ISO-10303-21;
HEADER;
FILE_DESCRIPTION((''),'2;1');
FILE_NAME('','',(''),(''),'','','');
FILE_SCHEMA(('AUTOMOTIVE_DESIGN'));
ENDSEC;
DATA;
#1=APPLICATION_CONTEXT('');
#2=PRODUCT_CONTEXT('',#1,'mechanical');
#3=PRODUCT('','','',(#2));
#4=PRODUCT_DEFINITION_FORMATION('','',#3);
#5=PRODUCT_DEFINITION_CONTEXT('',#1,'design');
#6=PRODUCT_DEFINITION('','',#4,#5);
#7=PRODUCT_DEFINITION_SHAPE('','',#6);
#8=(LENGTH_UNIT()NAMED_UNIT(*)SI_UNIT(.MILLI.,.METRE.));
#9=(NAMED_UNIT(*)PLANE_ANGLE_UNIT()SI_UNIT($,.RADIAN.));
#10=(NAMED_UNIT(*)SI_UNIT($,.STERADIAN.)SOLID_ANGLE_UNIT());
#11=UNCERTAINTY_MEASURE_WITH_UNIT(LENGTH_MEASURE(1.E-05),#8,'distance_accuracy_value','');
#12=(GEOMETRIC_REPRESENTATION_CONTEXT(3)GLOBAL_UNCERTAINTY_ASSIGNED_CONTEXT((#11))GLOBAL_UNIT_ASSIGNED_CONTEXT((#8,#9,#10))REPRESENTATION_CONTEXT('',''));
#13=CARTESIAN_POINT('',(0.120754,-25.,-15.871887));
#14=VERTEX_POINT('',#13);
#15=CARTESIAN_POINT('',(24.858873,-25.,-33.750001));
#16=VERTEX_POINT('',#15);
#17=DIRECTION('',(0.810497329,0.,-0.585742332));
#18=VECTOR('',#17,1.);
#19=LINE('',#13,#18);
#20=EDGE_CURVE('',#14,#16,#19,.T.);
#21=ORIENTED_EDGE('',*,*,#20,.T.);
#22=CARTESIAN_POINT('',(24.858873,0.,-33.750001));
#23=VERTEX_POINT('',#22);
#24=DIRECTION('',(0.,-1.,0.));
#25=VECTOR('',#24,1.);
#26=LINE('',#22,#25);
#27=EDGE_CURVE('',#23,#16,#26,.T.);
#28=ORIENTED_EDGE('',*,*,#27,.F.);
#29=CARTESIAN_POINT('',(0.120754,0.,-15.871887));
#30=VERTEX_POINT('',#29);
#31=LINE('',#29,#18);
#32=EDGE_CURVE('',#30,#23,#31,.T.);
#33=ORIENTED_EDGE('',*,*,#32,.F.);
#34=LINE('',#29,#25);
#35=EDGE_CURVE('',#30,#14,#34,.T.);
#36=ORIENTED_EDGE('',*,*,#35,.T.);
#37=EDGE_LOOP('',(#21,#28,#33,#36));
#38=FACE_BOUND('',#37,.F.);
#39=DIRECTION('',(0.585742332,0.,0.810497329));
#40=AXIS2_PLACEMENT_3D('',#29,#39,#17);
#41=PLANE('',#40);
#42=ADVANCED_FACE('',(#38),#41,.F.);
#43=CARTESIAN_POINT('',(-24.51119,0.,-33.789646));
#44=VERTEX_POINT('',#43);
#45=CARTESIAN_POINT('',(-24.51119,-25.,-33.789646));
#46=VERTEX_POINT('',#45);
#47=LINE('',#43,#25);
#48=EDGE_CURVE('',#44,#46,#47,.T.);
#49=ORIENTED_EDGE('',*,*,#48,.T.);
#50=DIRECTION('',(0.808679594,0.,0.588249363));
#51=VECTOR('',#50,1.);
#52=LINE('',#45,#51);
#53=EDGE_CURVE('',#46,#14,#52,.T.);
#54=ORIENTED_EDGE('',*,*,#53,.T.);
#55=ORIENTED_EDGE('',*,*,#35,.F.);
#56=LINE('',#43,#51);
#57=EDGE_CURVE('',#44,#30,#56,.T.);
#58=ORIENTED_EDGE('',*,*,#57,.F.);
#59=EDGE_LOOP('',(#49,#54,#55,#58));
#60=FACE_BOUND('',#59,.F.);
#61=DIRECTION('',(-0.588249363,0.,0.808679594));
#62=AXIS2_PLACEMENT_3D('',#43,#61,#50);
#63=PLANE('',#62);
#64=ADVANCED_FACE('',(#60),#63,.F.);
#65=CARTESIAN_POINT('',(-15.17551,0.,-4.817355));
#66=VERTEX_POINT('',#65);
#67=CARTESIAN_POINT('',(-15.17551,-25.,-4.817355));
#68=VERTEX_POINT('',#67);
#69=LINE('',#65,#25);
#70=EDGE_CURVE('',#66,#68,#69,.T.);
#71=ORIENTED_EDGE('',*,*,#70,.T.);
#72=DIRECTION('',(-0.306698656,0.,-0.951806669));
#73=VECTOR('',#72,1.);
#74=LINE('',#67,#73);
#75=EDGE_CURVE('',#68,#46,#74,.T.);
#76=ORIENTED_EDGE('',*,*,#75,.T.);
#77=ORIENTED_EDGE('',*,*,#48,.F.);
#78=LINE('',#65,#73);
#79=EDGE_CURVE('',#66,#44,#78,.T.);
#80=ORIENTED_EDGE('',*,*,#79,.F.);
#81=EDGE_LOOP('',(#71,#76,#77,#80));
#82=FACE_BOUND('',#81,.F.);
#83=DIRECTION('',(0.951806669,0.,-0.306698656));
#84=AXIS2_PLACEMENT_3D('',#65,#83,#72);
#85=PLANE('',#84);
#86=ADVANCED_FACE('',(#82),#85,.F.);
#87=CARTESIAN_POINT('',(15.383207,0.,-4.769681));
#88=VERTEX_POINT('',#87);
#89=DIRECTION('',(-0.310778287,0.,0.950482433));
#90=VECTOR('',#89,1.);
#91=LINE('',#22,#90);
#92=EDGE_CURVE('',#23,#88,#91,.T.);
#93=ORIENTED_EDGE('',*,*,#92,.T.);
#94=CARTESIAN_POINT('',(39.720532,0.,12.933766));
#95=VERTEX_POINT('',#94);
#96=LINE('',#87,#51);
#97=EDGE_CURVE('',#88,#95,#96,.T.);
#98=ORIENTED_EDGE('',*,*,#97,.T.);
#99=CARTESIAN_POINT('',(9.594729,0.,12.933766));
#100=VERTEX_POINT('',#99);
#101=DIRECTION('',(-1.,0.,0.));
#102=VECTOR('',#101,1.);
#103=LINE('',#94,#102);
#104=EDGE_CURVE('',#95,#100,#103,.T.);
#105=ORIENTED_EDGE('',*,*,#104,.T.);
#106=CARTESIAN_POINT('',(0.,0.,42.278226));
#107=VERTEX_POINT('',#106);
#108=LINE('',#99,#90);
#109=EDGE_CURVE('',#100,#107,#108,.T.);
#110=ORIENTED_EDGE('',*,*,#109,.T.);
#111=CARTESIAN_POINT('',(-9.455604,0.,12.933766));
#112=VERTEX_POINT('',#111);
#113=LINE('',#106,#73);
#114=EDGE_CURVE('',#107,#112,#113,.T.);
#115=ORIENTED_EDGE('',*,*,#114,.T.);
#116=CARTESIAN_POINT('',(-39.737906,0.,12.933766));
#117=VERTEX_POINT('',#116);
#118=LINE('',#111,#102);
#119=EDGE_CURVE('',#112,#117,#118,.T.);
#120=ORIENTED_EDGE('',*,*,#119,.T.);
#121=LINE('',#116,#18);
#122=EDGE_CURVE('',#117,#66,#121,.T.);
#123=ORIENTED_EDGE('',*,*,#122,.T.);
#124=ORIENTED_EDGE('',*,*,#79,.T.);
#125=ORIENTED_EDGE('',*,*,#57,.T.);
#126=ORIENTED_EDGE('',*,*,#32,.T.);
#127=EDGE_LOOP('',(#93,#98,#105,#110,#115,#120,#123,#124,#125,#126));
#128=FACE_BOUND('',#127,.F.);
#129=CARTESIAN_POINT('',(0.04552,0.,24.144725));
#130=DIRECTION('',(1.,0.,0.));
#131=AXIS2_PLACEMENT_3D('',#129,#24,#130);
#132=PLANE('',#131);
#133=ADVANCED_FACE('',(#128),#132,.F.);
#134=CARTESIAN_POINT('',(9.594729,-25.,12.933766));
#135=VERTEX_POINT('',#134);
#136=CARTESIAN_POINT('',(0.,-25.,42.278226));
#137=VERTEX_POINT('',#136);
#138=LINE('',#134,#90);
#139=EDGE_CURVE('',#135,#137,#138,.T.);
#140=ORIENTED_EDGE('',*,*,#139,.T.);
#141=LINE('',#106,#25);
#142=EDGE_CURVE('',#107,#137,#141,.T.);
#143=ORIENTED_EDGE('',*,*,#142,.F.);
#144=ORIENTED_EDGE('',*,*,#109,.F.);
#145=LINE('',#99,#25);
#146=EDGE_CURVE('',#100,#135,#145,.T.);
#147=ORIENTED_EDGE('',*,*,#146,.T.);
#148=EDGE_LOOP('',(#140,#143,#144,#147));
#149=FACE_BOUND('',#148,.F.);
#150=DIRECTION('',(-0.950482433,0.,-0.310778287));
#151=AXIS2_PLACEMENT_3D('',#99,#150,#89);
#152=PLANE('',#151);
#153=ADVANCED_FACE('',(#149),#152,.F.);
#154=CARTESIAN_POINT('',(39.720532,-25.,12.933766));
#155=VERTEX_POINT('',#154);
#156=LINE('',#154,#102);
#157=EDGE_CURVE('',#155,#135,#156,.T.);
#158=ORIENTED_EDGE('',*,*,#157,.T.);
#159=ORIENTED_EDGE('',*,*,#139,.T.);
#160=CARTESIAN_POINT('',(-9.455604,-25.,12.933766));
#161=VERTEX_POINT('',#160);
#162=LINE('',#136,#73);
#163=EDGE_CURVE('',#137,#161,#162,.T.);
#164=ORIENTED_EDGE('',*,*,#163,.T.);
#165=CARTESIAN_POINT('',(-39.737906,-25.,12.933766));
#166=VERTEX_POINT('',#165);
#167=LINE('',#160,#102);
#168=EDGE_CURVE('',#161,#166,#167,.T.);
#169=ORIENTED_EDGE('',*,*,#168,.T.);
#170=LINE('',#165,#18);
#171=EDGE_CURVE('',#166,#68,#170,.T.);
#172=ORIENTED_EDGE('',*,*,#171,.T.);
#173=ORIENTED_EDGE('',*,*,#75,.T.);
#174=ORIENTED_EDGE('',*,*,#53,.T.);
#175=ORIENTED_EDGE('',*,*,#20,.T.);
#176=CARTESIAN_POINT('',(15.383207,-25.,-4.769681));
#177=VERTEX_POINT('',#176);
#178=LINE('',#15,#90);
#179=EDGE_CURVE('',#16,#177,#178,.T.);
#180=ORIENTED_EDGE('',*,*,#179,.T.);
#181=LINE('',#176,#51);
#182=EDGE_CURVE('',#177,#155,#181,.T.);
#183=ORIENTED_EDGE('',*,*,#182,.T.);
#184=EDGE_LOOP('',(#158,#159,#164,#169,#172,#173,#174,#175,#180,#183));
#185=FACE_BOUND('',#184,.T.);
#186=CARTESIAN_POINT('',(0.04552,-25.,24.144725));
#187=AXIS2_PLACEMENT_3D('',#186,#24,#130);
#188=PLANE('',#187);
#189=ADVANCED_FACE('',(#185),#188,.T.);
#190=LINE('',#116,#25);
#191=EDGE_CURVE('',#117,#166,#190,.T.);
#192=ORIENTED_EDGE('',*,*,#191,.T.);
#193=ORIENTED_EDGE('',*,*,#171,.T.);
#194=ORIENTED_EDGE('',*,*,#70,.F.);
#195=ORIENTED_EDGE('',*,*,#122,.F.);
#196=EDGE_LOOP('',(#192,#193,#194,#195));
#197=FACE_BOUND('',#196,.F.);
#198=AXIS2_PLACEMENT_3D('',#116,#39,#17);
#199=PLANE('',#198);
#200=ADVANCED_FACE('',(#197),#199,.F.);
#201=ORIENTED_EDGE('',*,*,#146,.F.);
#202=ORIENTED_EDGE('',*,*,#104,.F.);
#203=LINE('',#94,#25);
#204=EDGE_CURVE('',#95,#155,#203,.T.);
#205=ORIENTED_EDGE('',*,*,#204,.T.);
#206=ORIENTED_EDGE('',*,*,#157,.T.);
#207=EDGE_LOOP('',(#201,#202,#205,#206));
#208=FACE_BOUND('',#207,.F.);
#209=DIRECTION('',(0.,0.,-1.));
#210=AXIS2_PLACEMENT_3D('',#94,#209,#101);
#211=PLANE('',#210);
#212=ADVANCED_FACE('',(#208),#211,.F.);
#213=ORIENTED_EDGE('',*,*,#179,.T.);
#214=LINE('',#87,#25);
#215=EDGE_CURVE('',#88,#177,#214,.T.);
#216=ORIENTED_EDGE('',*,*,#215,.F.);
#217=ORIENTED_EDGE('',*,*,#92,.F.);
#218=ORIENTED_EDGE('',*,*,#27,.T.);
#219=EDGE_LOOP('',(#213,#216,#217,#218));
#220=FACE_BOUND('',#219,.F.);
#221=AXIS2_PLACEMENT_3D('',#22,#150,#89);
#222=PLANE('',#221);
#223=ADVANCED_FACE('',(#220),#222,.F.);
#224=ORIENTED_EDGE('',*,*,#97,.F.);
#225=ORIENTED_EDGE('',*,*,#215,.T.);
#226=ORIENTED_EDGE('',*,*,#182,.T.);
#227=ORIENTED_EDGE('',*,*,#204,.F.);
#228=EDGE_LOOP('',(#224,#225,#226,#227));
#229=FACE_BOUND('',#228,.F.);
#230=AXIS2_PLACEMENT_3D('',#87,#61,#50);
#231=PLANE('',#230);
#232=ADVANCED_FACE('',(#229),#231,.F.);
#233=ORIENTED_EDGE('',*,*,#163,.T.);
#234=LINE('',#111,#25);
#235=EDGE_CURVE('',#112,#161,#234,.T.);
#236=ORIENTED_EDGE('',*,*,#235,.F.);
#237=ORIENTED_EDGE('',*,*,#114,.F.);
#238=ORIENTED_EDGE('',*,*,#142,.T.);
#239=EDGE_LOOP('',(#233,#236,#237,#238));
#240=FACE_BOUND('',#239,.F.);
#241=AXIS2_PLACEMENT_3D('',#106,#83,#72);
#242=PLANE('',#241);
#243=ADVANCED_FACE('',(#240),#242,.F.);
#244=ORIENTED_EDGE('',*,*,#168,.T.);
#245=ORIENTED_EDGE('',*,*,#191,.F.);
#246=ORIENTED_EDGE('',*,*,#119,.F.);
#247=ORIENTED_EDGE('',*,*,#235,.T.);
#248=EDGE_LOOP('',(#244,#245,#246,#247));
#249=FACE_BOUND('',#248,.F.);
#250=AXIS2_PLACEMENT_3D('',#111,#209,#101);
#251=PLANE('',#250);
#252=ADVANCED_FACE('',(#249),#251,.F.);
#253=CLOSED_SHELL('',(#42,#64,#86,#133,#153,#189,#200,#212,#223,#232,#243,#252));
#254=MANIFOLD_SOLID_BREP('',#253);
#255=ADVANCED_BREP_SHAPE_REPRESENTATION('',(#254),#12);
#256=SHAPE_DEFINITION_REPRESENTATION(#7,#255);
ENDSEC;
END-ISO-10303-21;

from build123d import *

# Parameters (mm, degrees)
F2_DEPTH = 25


with BuildPart() as f2:
    # F1 (on face) → F2 (new body)
    with BuildSketch(Plane.XZ):
        Polygon((9.5947289367, 12.933765538), (0, 42.278226465), (-9.4556037773, 12.933765538), align=None)
        Polygon((9.5947289367, 12.933765538), (-9.4556037773, 12.933765538), (-15.1755097815, -4.8173545596), (0.1207542754, -15.8718874525), (15.3832069723, -4.7696806626), align=None)
        Polygon((-15.1755097815, -4.8173545596), (-9.4556037773, 12.933765538), (-39.737906307, 12.933765538), align=None)
        Polygon((39.720531553, 12.933765538), (9.5947289367, 12.933765538), (15.3832069723, -4.7696806626), align=None)
        Polygon((0.1207542754, -15.8718874525), (-15.1755097815, -4.8173545596), (-24.5111901313, -33.7896458805), align=None)
        Polygon((24.8588733375, -33.7500013411), (15.3832069723, -4.7696806626), (0.1207542754, -15.8718874525), align=None)
    extrude(amount=F2_DEPTH)


solid = f2.part
